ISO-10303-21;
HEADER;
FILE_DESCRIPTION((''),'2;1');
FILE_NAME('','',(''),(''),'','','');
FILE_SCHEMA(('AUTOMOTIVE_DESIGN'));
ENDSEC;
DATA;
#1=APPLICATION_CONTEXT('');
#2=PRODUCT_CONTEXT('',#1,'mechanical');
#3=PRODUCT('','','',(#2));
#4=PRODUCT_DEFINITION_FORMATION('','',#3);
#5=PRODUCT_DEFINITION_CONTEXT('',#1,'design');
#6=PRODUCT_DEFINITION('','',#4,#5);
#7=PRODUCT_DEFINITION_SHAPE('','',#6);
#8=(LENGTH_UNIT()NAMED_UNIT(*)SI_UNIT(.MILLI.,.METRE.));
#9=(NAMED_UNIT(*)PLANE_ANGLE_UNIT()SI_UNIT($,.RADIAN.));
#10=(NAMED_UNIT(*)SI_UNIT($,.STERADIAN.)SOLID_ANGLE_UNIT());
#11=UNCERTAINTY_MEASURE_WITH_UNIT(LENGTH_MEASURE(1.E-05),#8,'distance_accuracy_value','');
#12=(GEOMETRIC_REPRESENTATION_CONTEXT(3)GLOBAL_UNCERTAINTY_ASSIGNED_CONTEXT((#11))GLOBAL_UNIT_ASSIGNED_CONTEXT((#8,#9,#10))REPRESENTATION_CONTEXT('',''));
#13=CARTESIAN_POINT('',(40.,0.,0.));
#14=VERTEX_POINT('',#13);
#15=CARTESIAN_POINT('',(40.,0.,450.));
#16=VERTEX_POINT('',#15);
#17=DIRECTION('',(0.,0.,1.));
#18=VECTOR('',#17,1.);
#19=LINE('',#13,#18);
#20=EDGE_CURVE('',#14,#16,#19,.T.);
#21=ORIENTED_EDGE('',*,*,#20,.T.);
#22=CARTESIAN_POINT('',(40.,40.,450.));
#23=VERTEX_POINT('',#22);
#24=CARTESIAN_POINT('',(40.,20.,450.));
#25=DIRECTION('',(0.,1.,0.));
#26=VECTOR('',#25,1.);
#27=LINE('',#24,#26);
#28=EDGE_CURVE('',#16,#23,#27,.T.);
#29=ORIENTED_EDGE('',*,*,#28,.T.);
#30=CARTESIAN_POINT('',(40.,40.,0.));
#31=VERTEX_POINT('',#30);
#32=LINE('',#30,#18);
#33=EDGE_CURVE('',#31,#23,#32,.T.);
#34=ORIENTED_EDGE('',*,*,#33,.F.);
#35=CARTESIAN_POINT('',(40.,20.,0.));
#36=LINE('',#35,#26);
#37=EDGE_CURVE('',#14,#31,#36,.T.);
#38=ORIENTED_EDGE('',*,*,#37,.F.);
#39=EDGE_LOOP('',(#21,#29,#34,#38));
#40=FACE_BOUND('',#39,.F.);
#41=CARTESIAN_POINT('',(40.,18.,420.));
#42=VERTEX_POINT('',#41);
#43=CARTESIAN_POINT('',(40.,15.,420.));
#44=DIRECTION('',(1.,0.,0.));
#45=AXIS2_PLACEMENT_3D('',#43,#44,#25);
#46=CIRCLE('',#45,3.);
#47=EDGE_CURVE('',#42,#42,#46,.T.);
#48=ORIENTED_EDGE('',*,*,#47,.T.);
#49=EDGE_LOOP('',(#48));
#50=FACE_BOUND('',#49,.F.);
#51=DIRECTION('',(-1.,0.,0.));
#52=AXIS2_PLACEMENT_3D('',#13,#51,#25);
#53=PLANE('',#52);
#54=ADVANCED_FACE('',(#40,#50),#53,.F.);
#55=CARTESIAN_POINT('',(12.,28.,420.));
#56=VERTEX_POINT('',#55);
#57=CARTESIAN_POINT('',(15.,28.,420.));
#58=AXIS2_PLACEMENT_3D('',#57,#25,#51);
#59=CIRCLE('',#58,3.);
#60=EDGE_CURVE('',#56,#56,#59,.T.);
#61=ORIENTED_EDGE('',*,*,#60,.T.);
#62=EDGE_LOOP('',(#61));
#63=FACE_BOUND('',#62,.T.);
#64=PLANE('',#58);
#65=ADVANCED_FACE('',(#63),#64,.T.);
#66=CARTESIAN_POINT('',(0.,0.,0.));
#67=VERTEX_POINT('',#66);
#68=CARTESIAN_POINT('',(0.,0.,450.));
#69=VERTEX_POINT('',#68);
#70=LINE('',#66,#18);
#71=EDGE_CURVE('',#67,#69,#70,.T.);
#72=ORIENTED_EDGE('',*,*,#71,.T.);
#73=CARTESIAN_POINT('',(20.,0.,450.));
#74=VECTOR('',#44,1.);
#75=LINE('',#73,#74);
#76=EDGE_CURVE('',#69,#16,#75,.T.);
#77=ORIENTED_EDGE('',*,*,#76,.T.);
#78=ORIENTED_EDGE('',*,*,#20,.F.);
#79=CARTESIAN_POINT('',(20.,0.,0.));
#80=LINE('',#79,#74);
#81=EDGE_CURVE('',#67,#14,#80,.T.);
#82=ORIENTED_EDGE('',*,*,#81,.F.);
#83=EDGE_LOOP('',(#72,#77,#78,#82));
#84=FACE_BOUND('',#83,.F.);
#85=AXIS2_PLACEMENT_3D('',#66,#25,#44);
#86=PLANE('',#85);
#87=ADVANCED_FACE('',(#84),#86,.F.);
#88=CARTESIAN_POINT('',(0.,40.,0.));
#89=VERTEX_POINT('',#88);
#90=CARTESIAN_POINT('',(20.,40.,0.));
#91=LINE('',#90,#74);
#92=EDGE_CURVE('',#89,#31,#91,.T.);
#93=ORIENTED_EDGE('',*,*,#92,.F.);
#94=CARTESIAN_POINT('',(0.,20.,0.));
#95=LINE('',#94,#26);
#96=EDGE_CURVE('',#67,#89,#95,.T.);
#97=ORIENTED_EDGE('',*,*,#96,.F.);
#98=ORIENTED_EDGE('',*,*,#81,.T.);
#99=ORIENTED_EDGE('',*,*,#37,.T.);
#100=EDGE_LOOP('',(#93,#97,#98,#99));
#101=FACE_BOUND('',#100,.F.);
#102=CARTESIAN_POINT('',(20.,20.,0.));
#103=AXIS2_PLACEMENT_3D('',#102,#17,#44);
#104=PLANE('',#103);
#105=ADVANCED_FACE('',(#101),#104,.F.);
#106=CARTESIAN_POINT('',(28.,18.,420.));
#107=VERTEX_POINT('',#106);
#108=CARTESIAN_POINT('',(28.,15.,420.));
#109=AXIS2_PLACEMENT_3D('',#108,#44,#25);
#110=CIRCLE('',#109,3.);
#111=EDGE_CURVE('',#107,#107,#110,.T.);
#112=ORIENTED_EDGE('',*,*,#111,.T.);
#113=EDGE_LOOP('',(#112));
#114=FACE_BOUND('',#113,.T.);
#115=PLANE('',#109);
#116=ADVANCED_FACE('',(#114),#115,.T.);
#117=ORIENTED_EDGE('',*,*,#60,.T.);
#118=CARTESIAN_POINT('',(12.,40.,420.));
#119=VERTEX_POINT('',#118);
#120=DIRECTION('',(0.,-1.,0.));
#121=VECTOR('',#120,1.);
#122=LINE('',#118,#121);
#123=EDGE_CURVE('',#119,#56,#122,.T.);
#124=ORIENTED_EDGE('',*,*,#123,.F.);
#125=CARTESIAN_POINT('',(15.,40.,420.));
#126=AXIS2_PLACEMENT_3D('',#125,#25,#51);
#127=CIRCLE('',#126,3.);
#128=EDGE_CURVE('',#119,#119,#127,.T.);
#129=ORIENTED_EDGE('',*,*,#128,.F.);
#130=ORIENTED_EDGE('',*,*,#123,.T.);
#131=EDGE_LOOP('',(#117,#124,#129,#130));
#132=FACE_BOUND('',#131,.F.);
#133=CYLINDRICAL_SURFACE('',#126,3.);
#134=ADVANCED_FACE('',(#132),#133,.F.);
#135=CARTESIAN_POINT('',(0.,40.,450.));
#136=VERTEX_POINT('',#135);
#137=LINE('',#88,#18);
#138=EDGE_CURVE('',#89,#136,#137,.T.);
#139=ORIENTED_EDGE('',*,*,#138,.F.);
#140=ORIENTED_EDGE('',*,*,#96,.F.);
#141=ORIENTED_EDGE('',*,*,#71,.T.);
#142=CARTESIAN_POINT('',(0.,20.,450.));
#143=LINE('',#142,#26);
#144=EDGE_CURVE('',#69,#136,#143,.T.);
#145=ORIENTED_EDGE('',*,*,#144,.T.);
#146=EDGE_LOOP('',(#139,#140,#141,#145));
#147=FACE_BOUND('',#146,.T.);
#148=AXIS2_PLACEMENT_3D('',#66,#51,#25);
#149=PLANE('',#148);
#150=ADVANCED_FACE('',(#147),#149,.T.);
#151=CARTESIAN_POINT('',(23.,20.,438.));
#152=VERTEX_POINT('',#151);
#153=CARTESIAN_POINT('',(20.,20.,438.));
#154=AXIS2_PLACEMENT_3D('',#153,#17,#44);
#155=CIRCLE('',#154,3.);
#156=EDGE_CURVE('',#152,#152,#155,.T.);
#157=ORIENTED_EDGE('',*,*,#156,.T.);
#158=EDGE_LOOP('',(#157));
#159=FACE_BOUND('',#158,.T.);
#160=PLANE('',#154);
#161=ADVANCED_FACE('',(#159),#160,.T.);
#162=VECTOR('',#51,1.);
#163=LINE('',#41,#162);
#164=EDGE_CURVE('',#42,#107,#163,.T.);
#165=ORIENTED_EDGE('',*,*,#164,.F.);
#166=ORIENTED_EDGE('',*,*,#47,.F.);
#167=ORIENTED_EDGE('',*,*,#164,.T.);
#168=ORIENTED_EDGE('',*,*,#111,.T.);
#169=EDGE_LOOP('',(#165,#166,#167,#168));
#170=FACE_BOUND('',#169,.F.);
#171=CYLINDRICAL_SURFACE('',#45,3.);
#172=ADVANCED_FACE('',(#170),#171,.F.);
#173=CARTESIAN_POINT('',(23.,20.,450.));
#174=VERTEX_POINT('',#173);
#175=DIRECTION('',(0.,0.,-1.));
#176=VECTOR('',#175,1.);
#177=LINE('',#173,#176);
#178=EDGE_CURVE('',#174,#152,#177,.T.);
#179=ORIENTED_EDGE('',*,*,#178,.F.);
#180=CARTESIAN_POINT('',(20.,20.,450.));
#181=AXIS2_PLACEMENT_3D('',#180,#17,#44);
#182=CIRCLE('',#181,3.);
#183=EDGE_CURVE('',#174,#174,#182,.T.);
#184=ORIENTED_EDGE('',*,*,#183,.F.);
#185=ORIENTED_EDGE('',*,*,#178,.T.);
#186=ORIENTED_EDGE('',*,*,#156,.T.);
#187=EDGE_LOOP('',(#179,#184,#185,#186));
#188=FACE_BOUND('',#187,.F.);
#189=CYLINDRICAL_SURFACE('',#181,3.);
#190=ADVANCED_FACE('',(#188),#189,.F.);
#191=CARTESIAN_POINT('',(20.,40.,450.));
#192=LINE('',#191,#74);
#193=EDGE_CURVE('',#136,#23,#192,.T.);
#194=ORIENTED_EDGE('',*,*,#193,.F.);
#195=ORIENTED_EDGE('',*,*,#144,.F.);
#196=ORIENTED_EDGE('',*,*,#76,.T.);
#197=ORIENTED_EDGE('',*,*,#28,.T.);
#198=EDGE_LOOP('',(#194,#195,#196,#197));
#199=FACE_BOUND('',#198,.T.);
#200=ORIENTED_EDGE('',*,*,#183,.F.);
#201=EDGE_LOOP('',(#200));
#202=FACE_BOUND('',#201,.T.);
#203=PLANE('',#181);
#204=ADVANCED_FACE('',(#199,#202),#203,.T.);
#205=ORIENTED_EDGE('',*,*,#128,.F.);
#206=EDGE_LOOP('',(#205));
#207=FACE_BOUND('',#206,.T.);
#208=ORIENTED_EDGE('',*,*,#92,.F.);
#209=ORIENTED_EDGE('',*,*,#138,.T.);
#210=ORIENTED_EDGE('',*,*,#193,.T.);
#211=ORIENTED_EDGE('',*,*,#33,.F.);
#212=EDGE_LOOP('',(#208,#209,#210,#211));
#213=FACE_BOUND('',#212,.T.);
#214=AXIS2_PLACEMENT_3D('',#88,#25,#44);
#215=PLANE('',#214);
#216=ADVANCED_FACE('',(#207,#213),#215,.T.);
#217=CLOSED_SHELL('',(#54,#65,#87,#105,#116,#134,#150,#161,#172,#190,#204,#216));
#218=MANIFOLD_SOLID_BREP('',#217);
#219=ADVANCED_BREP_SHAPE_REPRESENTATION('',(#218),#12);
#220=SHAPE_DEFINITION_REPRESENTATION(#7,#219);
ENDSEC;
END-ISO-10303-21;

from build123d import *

# Parameters (mm, degrees)
F0_W     = 40
F0_H     = 40
F1_DEPTH = 450
F3_R     = 3
F4_DEPTH = 12
F5_R     = 3
F6_DEPTH = 12
F7_R     = 3
F8_DEPTH = 12


with BuildPart() as f1:
    # F0 (on Top) → F1 (new body)
    with BuildSketch(Plane.XY):
        with Locations((20, 20)):
            Rectangle(F0_W, F0_H)
    extrude(amount=F1_DEPTH)

    # F3 (on face) → F4 (cut)
    with BuildSketch(Plane.YZ.offset(40)):
        with Locations((15, 420)):
            Circle(F3_R)
    extrude(amount=-F4_DEPTH, mode=Mode.SUBTRACT)

    # F5 (on face) → F6 (cut)
    with BuildSketch(Plane(origin=(0, 40, 0), x_dir=(-1, 0, 0), z_dir=(0, 1, 0))):
        with Locations((-15, 420)):
            Circle(F5_R)
    extrude(amount=-F6_DEPTH, mode=Mode.SUBTRACT)

    # F7 (on face) → F8 (cut)
    with BuildSketch(Plane.XY.offset(450)):
        with Locations((20, 20)):
            Circle(F7_R)
    extrude(amount=-F8_DEPTH, mode=Mode.SUBTRACT)


solid = f1.part
